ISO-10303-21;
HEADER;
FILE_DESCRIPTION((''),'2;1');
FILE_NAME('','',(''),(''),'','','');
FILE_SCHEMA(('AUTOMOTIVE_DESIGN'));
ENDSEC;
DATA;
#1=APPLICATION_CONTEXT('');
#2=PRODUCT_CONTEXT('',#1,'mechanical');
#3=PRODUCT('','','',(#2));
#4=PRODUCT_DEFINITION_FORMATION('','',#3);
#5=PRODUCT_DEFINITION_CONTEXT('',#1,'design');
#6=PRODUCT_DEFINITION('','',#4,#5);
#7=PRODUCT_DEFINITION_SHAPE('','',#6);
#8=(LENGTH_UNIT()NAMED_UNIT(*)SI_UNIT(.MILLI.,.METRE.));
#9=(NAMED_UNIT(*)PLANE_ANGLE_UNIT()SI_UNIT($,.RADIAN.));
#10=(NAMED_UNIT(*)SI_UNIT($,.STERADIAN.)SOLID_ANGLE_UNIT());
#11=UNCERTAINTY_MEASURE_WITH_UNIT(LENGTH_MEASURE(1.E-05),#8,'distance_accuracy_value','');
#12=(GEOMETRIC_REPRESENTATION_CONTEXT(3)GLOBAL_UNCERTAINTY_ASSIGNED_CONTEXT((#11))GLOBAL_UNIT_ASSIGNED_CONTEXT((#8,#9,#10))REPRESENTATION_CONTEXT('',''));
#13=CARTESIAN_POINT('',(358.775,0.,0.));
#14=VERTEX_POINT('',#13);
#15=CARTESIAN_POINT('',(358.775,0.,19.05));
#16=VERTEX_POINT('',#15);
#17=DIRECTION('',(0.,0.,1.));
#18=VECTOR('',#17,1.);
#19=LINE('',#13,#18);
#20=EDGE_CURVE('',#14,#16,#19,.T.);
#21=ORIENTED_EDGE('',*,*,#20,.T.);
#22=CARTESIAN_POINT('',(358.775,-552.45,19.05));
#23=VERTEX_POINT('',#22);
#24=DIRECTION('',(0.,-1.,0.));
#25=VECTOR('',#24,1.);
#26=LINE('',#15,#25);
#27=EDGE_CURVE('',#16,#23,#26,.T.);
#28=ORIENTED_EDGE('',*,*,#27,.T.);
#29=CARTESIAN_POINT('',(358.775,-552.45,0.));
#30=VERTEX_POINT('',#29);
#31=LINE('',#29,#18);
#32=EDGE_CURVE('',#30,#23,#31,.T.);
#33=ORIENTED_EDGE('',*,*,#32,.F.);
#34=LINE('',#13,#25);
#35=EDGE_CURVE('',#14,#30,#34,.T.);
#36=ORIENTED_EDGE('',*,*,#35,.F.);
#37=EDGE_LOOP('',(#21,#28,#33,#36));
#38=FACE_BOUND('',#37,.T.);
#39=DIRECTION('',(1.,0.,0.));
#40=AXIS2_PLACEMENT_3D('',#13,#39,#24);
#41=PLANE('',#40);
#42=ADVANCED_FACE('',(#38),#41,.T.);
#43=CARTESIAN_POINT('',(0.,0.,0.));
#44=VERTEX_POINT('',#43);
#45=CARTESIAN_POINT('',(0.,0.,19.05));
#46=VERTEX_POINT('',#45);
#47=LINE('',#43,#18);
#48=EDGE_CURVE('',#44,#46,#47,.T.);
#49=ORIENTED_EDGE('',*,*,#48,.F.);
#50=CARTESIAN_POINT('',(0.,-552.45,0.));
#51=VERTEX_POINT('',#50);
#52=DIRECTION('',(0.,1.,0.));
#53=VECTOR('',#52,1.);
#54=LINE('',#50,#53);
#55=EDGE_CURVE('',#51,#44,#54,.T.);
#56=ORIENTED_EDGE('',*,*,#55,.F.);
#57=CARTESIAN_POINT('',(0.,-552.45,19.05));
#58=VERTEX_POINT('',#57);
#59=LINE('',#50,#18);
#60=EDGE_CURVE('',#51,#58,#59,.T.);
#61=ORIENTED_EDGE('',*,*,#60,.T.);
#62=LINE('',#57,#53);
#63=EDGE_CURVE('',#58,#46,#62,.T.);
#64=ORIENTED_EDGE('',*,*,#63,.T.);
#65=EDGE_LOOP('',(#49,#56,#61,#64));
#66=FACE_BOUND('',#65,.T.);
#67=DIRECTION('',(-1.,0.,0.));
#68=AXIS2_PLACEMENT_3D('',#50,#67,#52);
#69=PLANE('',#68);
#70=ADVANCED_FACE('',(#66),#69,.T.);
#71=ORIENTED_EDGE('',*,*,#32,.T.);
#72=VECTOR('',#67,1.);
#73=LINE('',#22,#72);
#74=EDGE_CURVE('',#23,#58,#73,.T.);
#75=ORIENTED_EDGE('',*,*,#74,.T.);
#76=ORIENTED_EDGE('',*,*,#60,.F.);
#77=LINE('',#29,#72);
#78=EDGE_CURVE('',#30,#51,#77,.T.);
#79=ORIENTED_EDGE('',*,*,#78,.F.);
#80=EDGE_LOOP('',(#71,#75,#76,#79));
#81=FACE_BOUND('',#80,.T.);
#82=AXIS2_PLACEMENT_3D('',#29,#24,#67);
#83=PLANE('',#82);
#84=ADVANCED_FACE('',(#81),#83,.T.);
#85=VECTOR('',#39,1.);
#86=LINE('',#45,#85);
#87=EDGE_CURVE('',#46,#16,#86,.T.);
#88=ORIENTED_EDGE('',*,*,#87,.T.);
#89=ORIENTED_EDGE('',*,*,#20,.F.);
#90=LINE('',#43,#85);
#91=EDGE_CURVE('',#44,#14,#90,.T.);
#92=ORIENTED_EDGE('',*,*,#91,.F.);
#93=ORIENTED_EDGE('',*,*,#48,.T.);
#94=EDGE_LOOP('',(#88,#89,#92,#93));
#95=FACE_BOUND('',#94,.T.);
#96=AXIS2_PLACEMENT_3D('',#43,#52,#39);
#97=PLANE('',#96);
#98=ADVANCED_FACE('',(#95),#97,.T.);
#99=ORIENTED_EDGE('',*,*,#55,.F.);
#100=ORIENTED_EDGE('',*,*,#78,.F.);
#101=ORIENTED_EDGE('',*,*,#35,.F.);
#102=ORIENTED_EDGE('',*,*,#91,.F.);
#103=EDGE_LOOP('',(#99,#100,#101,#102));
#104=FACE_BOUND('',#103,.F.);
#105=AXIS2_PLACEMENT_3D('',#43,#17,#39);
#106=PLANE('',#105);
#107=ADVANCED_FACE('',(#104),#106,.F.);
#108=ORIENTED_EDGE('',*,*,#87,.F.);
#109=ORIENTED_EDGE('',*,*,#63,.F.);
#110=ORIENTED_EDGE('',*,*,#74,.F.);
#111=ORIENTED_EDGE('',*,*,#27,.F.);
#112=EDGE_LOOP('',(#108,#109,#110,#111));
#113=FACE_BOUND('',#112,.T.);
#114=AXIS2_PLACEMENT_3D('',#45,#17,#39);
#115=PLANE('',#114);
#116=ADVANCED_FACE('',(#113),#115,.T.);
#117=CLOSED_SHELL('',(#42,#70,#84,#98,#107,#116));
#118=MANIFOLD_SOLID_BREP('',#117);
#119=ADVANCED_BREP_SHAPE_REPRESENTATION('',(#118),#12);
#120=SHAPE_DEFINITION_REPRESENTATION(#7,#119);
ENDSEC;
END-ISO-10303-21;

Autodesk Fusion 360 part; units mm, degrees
sketch "Sketch1" plane through (0, 0, 0) normal (0, 0, 1) x (1, 0, 0)
  line L0 (0, 0) -> (358.775, 0)
  line L1 (358.775, 0) -> (358.775, -552.45)
  line L2 (358.775, -552.45) -> (0, -552.45)
  line L3 (0, -552.45) -> (0, 0)
  dimension "d3" = 552.45
  dimension "d4" = 358.775
extrude "Extrude1" add sketch "Sketch1" along normal blind 19.05
